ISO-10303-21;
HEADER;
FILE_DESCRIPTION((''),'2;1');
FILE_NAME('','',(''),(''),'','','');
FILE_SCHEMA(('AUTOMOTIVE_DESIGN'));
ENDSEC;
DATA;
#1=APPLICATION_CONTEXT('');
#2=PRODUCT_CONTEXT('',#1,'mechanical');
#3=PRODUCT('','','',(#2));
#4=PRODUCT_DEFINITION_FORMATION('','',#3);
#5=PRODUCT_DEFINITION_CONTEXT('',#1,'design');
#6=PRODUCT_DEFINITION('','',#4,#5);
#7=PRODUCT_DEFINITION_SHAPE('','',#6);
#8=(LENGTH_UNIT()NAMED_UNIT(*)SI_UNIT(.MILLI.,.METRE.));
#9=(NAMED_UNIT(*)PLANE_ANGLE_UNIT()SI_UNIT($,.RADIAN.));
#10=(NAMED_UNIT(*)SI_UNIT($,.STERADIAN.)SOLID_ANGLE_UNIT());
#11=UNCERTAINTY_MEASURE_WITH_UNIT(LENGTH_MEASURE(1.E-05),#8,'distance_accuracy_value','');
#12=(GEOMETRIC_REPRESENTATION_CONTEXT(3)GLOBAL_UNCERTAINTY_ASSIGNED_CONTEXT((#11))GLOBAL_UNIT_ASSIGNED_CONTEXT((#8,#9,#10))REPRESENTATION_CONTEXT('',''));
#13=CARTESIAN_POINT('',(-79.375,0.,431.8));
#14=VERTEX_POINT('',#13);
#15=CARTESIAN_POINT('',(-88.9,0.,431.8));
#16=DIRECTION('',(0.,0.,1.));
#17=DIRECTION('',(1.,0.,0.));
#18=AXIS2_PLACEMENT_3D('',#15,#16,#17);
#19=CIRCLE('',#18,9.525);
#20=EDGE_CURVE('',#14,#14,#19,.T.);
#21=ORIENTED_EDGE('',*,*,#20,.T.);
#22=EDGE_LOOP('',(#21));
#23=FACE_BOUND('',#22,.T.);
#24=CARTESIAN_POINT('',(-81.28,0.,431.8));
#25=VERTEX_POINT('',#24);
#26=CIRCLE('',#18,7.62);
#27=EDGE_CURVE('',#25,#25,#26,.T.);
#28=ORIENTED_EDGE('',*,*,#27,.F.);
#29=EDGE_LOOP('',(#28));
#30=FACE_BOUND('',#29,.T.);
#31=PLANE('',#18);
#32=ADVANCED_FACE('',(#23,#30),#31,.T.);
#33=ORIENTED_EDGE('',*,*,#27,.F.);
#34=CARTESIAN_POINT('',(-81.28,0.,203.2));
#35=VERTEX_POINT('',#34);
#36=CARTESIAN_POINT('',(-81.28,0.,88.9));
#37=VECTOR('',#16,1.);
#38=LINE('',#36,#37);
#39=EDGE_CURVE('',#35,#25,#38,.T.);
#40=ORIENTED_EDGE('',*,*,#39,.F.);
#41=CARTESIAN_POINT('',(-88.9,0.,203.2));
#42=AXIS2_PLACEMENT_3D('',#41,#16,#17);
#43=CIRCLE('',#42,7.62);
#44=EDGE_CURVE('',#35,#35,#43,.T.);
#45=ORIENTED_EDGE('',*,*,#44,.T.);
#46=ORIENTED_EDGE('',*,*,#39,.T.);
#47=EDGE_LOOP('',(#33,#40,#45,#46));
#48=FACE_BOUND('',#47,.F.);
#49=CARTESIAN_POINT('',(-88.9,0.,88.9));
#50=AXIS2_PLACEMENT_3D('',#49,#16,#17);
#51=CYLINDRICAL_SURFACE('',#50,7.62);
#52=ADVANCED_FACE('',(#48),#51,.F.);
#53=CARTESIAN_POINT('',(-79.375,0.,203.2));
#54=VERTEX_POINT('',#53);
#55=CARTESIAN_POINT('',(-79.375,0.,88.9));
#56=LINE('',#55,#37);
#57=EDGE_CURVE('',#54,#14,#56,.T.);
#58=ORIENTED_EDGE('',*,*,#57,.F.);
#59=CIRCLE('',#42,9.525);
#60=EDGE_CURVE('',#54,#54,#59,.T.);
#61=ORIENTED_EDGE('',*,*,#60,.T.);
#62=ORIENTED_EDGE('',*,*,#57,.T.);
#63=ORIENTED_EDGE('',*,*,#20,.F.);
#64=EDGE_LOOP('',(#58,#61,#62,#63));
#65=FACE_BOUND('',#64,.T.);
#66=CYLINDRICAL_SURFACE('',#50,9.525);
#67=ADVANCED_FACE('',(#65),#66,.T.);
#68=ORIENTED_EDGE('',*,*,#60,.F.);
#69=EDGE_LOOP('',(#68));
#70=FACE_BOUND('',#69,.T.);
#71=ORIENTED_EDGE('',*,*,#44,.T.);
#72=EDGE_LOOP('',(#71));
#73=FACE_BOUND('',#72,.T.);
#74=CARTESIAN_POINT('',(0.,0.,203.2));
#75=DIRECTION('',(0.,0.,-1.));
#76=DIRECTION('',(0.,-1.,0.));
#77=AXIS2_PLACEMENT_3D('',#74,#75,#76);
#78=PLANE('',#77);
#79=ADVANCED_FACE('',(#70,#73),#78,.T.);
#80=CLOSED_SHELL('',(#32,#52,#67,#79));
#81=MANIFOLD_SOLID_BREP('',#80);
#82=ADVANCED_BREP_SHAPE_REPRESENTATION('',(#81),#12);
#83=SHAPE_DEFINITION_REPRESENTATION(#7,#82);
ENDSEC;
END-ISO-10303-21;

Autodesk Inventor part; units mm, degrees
ref_plane "YZ Plane" through (0, 0, 0) normal (1, 0, 0) x (0, 1, 0)
ref_plane "XZ Plane" through (0, 0, 0) normal (0, 1, 0) x (-1, 0, 0)
sketch "Sketch1" plane through (0, 0, 0) normal (0, 1, 0) x (-1, 0, 0)
  line L0 (0, 0) -> (0, 63.5)
  line L1 (12.7, 76.2) -> (76.2, 76.2)
  line L2 (88.9, 88.9) -> (88.9, 431.8)
  arc A0 (76.2, 76.2) -> (88.9, 88.9) centre (76.2, 88.9) ccw
  arc A1 (12.7, 76.2) -> (0, 63.5) centre (12.7, 63.5) ccw
  point P0 (0, 76.2)
  point P1 (88.9, 76.2)
  dimension "short" = 76.2
  dimension "right" = 88.9
  dimension "long" = 355.6
  dimension "turn_radius" = 12.7
  dimension "d10" = 12.7
sketch "Sketch2" plane through (0, 0, 0) normal (0, 0, 1) x (1, 0, 0)
  circle A0 centre (0, 0) radius 9.525
  circle A1 centre (0, 0) radius 7.62
  dimension "outsideDiamter" = 19.05
  dimension "insideDiamter" = 15.24
sweep "Sweep2" add profiles "Sketch2" path "Sketch1"
ref_plane "Work Plane1" through (0, 0, 203.2) normal (0, 0, 1) x (1, 0, 0)
split "Split1" plane through (0, 0, 203.2) removes the side toward (0, 0, -1)
properties part number "ABS Arm Part 2" material "ABS Plastic"
